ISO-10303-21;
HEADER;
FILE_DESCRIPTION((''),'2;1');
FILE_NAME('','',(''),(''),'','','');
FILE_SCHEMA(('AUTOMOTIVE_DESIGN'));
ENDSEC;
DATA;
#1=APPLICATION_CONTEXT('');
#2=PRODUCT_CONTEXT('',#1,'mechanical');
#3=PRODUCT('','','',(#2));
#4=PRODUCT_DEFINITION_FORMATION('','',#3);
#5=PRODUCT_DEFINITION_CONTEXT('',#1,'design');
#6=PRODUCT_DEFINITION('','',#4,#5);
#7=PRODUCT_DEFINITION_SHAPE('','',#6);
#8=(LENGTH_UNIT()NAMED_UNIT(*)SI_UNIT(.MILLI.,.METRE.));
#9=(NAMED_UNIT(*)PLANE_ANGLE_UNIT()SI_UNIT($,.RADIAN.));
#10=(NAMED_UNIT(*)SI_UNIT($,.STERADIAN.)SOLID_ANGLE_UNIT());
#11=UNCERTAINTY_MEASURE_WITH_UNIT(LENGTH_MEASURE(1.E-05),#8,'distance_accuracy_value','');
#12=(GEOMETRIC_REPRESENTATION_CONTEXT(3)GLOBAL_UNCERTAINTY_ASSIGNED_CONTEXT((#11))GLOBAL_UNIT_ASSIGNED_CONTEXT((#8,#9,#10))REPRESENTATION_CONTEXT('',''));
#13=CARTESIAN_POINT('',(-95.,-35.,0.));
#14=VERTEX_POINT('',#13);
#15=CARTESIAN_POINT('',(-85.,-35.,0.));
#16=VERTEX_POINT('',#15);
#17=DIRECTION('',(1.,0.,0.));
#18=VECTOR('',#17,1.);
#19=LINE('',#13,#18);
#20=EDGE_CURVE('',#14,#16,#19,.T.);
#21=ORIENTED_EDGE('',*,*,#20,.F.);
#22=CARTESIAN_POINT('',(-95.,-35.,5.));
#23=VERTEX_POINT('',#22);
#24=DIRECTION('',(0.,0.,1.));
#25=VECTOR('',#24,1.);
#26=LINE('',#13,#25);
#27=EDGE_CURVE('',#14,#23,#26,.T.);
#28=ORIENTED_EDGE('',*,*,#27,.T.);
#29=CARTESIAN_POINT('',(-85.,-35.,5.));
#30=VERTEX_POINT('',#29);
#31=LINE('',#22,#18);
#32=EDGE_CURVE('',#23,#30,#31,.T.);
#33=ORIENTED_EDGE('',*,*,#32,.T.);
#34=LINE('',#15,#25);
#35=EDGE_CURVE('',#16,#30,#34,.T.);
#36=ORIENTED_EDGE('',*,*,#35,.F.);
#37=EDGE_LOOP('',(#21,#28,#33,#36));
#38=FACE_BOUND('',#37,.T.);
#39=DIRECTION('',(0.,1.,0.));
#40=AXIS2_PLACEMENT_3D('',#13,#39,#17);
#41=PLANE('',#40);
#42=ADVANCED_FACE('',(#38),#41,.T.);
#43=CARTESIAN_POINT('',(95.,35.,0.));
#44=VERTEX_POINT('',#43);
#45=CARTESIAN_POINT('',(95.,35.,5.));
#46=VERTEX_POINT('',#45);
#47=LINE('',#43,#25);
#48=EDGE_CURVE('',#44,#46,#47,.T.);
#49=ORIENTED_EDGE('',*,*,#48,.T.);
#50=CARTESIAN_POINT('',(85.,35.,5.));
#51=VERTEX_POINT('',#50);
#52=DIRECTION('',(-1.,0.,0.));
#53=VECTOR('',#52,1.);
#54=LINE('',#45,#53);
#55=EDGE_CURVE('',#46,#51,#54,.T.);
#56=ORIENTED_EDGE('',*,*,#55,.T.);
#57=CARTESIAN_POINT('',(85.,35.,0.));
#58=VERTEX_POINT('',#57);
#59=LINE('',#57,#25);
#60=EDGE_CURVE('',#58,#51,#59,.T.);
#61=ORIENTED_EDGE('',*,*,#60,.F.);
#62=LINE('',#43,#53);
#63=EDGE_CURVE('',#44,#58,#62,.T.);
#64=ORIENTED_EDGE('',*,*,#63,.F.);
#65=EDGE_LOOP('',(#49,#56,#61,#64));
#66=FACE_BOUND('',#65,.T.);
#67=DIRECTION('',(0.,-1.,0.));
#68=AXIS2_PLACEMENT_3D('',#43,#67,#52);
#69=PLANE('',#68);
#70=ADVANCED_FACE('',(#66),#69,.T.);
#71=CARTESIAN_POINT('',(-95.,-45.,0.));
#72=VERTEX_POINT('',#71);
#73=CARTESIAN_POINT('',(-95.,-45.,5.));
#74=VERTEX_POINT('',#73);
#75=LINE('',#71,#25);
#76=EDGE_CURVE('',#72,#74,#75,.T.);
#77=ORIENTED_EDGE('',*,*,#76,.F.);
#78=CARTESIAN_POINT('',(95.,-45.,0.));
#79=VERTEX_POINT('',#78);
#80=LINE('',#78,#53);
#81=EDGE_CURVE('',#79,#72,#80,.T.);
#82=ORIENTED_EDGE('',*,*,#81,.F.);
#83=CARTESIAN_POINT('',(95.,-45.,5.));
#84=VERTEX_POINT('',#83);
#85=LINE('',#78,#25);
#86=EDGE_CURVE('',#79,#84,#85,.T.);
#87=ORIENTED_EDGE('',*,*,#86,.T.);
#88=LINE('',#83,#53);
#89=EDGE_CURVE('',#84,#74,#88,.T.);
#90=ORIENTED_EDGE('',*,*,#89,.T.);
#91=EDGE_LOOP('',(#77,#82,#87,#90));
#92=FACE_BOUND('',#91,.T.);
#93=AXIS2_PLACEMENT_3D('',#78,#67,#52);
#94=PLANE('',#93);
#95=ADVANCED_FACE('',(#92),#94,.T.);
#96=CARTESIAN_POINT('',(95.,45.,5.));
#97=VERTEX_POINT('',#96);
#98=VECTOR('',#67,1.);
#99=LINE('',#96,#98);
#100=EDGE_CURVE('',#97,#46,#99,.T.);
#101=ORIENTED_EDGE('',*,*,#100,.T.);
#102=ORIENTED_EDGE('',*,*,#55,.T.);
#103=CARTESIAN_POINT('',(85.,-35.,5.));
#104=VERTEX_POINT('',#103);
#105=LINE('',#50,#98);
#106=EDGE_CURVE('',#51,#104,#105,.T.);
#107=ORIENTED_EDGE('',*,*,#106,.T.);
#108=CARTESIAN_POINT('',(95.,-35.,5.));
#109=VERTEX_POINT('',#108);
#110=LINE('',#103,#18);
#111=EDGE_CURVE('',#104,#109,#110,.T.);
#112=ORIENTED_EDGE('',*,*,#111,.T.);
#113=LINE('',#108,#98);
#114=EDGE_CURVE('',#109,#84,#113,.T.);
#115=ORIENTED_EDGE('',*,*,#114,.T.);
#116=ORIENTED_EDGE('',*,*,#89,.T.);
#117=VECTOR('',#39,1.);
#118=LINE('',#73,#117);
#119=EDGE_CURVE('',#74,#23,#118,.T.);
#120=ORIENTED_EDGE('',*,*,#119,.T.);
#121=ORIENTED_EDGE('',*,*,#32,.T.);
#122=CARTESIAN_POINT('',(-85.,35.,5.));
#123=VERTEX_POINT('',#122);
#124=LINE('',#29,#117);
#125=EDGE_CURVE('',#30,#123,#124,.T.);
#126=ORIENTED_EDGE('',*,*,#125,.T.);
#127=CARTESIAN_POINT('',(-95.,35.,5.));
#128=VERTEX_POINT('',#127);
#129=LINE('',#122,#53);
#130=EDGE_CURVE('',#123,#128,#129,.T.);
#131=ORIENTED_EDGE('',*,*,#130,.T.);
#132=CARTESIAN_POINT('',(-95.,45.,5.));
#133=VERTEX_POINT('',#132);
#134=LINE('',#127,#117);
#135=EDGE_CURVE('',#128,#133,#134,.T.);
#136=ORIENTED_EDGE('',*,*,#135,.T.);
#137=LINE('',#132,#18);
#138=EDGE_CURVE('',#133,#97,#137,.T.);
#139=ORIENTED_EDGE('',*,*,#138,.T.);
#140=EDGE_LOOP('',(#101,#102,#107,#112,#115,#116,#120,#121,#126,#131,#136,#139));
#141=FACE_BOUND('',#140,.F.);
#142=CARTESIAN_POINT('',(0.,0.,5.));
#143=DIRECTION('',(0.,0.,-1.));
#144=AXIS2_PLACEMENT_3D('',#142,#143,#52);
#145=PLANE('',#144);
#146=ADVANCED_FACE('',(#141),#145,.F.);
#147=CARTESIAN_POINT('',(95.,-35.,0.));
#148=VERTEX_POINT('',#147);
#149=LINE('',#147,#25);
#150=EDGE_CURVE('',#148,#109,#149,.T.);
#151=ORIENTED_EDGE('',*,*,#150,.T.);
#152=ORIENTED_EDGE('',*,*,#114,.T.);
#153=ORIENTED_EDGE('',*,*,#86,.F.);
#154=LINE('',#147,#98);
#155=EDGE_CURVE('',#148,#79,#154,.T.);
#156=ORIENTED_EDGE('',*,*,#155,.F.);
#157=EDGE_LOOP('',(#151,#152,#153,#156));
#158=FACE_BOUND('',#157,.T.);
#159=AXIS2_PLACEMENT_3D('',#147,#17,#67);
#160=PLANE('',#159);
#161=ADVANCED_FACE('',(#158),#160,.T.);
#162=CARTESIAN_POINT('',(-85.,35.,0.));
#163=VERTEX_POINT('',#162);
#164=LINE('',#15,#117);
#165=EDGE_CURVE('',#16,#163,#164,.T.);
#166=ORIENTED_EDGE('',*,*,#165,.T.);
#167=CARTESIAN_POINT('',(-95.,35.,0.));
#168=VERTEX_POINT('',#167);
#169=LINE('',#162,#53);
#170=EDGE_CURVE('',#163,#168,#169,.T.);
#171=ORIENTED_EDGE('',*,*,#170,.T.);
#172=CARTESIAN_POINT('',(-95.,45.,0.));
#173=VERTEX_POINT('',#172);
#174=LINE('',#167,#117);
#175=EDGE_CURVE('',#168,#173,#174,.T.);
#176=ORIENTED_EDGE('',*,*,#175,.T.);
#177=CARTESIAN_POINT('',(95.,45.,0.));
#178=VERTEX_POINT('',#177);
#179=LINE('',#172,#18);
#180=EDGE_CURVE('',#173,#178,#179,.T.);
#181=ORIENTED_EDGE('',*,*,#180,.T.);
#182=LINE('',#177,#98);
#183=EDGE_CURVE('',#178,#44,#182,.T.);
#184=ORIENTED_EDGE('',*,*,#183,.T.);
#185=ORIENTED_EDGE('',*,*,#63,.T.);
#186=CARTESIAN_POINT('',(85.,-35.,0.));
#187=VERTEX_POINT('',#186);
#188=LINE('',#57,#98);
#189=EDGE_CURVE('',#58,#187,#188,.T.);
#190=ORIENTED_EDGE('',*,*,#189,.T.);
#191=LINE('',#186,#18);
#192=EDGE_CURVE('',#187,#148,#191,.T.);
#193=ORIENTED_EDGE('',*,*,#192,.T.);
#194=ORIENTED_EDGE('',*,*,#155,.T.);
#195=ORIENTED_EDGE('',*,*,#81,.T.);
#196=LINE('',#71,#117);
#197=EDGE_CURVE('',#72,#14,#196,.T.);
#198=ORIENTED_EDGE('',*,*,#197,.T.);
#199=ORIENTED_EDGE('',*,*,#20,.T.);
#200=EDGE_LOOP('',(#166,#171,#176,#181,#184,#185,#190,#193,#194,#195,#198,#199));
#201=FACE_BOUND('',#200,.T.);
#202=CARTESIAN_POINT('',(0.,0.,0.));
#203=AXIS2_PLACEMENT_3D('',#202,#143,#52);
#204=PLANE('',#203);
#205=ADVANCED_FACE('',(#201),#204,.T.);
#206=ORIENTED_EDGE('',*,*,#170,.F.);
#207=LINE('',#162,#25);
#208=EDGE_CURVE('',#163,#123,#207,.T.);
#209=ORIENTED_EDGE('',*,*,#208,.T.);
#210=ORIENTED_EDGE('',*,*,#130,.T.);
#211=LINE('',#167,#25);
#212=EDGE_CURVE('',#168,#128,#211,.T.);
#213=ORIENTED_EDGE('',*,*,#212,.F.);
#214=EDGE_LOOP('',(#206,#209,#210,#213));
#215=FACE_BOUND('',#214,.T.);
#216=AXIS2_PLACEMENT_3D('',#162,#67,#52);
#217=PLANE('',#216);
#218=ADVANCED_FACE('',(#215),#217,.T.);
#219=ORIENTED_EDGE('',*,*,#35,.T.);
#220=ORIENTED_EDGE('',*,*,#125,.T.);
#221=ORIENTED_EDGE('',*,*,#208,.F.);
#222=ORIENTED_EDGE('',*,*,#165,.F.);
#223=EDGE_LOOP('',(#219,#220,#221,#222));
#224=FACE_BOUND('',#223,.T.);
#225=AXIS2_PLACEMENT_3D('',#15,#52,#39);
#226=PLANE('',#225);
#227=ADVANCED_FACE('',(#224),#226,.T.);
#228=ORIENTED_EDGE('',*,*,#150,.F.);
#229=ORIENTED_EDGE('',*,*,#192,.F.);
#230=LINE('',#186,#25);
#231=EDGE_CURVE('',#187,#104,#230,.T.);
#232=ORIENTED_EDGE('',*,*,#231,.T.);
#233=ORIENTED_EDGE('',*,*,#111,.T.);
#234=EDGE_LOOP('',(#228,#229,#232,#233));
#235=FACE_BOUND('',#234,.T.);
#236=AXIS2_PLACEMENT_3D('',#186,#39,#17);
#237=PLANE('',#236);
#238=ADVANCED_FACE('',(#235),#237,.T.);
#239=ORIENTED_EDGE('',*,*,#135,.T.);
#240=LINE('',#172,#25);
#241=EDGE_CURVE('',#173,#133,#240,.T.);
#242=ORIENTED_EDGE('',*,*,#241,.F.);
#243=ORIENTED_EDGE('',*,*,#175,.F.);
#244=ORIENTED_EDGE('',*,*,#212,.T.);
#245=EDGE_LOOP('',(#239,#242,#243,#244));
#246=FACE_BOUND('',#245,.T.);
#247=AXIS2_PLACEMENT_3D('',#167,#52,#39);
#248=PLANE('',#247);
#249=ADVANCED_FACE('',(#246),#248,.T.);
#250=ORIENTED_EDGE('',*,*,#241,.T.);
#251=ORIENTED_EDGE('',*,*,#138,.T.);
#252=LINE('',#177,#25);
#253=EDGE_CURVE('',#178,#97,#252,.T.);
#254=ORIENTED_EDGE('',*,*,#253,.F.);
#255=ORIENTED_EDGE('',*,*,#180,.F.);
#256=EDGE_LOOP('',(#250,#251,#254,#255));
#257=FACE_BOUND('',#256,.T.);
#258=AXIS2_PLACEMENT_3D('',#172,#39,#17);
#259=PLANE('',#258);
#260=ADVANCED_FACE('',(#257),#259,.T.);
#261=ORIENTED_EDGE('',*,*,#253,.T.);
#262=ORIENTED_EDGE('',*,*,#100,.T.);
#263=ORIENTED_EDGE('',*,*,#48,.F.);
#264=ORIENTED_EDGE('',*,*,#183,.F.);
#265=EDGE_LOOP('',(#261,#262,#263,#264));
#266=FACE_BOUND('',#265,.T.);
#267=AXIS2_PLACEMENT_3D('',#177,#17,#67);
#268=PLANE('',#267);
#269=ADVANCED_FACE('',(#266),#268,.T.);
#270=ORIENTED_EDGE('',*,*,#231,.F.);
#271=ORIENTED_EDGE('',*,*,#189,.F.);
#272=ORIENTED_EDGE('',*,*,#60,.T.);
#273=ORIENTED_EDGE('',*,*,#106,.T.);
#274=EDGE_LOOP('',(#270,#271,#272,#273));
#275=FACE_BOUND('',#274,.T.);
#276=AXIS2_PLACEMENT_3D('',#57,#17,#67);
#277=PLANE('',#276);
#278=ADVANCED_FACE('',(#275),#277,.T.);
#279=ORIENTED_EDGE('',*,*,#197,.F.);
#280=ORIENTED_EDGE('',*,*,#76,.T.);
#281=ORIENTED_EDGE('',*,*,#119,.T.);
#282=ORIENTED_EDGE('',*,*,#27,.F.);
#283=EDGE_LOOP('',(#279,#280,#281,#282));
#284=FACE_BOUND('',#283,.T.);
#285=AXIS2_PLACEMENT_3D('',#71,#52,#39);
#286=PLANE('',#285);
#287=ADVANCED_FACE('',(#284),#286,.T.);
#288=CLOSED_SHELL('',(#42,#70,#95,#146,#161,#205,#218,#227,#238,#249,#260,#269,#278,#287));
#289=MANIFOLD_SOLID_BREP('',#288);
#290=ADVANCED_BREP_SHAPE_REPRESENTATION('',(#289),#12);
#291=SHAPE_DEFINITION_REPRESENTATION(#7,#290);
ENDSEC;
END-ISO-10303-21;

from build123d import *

# Parameters (mm, degrees)
PAD_DEPTH = 5


with BuildPart() as part:
    # Sketch → Pad (new body)
    with BuildSketch(Plane.XY):
        Polygon((-95, 45), (95, 45), (95, 35), (85, 35), (85, -35), (95, -35), (95, -45), (-95, -45), (-95, -35), (-85, -35), (-85, 35), (-95, 35), align=None)
    extrude(amount=PAD_DEPTH)


solid = part.part
